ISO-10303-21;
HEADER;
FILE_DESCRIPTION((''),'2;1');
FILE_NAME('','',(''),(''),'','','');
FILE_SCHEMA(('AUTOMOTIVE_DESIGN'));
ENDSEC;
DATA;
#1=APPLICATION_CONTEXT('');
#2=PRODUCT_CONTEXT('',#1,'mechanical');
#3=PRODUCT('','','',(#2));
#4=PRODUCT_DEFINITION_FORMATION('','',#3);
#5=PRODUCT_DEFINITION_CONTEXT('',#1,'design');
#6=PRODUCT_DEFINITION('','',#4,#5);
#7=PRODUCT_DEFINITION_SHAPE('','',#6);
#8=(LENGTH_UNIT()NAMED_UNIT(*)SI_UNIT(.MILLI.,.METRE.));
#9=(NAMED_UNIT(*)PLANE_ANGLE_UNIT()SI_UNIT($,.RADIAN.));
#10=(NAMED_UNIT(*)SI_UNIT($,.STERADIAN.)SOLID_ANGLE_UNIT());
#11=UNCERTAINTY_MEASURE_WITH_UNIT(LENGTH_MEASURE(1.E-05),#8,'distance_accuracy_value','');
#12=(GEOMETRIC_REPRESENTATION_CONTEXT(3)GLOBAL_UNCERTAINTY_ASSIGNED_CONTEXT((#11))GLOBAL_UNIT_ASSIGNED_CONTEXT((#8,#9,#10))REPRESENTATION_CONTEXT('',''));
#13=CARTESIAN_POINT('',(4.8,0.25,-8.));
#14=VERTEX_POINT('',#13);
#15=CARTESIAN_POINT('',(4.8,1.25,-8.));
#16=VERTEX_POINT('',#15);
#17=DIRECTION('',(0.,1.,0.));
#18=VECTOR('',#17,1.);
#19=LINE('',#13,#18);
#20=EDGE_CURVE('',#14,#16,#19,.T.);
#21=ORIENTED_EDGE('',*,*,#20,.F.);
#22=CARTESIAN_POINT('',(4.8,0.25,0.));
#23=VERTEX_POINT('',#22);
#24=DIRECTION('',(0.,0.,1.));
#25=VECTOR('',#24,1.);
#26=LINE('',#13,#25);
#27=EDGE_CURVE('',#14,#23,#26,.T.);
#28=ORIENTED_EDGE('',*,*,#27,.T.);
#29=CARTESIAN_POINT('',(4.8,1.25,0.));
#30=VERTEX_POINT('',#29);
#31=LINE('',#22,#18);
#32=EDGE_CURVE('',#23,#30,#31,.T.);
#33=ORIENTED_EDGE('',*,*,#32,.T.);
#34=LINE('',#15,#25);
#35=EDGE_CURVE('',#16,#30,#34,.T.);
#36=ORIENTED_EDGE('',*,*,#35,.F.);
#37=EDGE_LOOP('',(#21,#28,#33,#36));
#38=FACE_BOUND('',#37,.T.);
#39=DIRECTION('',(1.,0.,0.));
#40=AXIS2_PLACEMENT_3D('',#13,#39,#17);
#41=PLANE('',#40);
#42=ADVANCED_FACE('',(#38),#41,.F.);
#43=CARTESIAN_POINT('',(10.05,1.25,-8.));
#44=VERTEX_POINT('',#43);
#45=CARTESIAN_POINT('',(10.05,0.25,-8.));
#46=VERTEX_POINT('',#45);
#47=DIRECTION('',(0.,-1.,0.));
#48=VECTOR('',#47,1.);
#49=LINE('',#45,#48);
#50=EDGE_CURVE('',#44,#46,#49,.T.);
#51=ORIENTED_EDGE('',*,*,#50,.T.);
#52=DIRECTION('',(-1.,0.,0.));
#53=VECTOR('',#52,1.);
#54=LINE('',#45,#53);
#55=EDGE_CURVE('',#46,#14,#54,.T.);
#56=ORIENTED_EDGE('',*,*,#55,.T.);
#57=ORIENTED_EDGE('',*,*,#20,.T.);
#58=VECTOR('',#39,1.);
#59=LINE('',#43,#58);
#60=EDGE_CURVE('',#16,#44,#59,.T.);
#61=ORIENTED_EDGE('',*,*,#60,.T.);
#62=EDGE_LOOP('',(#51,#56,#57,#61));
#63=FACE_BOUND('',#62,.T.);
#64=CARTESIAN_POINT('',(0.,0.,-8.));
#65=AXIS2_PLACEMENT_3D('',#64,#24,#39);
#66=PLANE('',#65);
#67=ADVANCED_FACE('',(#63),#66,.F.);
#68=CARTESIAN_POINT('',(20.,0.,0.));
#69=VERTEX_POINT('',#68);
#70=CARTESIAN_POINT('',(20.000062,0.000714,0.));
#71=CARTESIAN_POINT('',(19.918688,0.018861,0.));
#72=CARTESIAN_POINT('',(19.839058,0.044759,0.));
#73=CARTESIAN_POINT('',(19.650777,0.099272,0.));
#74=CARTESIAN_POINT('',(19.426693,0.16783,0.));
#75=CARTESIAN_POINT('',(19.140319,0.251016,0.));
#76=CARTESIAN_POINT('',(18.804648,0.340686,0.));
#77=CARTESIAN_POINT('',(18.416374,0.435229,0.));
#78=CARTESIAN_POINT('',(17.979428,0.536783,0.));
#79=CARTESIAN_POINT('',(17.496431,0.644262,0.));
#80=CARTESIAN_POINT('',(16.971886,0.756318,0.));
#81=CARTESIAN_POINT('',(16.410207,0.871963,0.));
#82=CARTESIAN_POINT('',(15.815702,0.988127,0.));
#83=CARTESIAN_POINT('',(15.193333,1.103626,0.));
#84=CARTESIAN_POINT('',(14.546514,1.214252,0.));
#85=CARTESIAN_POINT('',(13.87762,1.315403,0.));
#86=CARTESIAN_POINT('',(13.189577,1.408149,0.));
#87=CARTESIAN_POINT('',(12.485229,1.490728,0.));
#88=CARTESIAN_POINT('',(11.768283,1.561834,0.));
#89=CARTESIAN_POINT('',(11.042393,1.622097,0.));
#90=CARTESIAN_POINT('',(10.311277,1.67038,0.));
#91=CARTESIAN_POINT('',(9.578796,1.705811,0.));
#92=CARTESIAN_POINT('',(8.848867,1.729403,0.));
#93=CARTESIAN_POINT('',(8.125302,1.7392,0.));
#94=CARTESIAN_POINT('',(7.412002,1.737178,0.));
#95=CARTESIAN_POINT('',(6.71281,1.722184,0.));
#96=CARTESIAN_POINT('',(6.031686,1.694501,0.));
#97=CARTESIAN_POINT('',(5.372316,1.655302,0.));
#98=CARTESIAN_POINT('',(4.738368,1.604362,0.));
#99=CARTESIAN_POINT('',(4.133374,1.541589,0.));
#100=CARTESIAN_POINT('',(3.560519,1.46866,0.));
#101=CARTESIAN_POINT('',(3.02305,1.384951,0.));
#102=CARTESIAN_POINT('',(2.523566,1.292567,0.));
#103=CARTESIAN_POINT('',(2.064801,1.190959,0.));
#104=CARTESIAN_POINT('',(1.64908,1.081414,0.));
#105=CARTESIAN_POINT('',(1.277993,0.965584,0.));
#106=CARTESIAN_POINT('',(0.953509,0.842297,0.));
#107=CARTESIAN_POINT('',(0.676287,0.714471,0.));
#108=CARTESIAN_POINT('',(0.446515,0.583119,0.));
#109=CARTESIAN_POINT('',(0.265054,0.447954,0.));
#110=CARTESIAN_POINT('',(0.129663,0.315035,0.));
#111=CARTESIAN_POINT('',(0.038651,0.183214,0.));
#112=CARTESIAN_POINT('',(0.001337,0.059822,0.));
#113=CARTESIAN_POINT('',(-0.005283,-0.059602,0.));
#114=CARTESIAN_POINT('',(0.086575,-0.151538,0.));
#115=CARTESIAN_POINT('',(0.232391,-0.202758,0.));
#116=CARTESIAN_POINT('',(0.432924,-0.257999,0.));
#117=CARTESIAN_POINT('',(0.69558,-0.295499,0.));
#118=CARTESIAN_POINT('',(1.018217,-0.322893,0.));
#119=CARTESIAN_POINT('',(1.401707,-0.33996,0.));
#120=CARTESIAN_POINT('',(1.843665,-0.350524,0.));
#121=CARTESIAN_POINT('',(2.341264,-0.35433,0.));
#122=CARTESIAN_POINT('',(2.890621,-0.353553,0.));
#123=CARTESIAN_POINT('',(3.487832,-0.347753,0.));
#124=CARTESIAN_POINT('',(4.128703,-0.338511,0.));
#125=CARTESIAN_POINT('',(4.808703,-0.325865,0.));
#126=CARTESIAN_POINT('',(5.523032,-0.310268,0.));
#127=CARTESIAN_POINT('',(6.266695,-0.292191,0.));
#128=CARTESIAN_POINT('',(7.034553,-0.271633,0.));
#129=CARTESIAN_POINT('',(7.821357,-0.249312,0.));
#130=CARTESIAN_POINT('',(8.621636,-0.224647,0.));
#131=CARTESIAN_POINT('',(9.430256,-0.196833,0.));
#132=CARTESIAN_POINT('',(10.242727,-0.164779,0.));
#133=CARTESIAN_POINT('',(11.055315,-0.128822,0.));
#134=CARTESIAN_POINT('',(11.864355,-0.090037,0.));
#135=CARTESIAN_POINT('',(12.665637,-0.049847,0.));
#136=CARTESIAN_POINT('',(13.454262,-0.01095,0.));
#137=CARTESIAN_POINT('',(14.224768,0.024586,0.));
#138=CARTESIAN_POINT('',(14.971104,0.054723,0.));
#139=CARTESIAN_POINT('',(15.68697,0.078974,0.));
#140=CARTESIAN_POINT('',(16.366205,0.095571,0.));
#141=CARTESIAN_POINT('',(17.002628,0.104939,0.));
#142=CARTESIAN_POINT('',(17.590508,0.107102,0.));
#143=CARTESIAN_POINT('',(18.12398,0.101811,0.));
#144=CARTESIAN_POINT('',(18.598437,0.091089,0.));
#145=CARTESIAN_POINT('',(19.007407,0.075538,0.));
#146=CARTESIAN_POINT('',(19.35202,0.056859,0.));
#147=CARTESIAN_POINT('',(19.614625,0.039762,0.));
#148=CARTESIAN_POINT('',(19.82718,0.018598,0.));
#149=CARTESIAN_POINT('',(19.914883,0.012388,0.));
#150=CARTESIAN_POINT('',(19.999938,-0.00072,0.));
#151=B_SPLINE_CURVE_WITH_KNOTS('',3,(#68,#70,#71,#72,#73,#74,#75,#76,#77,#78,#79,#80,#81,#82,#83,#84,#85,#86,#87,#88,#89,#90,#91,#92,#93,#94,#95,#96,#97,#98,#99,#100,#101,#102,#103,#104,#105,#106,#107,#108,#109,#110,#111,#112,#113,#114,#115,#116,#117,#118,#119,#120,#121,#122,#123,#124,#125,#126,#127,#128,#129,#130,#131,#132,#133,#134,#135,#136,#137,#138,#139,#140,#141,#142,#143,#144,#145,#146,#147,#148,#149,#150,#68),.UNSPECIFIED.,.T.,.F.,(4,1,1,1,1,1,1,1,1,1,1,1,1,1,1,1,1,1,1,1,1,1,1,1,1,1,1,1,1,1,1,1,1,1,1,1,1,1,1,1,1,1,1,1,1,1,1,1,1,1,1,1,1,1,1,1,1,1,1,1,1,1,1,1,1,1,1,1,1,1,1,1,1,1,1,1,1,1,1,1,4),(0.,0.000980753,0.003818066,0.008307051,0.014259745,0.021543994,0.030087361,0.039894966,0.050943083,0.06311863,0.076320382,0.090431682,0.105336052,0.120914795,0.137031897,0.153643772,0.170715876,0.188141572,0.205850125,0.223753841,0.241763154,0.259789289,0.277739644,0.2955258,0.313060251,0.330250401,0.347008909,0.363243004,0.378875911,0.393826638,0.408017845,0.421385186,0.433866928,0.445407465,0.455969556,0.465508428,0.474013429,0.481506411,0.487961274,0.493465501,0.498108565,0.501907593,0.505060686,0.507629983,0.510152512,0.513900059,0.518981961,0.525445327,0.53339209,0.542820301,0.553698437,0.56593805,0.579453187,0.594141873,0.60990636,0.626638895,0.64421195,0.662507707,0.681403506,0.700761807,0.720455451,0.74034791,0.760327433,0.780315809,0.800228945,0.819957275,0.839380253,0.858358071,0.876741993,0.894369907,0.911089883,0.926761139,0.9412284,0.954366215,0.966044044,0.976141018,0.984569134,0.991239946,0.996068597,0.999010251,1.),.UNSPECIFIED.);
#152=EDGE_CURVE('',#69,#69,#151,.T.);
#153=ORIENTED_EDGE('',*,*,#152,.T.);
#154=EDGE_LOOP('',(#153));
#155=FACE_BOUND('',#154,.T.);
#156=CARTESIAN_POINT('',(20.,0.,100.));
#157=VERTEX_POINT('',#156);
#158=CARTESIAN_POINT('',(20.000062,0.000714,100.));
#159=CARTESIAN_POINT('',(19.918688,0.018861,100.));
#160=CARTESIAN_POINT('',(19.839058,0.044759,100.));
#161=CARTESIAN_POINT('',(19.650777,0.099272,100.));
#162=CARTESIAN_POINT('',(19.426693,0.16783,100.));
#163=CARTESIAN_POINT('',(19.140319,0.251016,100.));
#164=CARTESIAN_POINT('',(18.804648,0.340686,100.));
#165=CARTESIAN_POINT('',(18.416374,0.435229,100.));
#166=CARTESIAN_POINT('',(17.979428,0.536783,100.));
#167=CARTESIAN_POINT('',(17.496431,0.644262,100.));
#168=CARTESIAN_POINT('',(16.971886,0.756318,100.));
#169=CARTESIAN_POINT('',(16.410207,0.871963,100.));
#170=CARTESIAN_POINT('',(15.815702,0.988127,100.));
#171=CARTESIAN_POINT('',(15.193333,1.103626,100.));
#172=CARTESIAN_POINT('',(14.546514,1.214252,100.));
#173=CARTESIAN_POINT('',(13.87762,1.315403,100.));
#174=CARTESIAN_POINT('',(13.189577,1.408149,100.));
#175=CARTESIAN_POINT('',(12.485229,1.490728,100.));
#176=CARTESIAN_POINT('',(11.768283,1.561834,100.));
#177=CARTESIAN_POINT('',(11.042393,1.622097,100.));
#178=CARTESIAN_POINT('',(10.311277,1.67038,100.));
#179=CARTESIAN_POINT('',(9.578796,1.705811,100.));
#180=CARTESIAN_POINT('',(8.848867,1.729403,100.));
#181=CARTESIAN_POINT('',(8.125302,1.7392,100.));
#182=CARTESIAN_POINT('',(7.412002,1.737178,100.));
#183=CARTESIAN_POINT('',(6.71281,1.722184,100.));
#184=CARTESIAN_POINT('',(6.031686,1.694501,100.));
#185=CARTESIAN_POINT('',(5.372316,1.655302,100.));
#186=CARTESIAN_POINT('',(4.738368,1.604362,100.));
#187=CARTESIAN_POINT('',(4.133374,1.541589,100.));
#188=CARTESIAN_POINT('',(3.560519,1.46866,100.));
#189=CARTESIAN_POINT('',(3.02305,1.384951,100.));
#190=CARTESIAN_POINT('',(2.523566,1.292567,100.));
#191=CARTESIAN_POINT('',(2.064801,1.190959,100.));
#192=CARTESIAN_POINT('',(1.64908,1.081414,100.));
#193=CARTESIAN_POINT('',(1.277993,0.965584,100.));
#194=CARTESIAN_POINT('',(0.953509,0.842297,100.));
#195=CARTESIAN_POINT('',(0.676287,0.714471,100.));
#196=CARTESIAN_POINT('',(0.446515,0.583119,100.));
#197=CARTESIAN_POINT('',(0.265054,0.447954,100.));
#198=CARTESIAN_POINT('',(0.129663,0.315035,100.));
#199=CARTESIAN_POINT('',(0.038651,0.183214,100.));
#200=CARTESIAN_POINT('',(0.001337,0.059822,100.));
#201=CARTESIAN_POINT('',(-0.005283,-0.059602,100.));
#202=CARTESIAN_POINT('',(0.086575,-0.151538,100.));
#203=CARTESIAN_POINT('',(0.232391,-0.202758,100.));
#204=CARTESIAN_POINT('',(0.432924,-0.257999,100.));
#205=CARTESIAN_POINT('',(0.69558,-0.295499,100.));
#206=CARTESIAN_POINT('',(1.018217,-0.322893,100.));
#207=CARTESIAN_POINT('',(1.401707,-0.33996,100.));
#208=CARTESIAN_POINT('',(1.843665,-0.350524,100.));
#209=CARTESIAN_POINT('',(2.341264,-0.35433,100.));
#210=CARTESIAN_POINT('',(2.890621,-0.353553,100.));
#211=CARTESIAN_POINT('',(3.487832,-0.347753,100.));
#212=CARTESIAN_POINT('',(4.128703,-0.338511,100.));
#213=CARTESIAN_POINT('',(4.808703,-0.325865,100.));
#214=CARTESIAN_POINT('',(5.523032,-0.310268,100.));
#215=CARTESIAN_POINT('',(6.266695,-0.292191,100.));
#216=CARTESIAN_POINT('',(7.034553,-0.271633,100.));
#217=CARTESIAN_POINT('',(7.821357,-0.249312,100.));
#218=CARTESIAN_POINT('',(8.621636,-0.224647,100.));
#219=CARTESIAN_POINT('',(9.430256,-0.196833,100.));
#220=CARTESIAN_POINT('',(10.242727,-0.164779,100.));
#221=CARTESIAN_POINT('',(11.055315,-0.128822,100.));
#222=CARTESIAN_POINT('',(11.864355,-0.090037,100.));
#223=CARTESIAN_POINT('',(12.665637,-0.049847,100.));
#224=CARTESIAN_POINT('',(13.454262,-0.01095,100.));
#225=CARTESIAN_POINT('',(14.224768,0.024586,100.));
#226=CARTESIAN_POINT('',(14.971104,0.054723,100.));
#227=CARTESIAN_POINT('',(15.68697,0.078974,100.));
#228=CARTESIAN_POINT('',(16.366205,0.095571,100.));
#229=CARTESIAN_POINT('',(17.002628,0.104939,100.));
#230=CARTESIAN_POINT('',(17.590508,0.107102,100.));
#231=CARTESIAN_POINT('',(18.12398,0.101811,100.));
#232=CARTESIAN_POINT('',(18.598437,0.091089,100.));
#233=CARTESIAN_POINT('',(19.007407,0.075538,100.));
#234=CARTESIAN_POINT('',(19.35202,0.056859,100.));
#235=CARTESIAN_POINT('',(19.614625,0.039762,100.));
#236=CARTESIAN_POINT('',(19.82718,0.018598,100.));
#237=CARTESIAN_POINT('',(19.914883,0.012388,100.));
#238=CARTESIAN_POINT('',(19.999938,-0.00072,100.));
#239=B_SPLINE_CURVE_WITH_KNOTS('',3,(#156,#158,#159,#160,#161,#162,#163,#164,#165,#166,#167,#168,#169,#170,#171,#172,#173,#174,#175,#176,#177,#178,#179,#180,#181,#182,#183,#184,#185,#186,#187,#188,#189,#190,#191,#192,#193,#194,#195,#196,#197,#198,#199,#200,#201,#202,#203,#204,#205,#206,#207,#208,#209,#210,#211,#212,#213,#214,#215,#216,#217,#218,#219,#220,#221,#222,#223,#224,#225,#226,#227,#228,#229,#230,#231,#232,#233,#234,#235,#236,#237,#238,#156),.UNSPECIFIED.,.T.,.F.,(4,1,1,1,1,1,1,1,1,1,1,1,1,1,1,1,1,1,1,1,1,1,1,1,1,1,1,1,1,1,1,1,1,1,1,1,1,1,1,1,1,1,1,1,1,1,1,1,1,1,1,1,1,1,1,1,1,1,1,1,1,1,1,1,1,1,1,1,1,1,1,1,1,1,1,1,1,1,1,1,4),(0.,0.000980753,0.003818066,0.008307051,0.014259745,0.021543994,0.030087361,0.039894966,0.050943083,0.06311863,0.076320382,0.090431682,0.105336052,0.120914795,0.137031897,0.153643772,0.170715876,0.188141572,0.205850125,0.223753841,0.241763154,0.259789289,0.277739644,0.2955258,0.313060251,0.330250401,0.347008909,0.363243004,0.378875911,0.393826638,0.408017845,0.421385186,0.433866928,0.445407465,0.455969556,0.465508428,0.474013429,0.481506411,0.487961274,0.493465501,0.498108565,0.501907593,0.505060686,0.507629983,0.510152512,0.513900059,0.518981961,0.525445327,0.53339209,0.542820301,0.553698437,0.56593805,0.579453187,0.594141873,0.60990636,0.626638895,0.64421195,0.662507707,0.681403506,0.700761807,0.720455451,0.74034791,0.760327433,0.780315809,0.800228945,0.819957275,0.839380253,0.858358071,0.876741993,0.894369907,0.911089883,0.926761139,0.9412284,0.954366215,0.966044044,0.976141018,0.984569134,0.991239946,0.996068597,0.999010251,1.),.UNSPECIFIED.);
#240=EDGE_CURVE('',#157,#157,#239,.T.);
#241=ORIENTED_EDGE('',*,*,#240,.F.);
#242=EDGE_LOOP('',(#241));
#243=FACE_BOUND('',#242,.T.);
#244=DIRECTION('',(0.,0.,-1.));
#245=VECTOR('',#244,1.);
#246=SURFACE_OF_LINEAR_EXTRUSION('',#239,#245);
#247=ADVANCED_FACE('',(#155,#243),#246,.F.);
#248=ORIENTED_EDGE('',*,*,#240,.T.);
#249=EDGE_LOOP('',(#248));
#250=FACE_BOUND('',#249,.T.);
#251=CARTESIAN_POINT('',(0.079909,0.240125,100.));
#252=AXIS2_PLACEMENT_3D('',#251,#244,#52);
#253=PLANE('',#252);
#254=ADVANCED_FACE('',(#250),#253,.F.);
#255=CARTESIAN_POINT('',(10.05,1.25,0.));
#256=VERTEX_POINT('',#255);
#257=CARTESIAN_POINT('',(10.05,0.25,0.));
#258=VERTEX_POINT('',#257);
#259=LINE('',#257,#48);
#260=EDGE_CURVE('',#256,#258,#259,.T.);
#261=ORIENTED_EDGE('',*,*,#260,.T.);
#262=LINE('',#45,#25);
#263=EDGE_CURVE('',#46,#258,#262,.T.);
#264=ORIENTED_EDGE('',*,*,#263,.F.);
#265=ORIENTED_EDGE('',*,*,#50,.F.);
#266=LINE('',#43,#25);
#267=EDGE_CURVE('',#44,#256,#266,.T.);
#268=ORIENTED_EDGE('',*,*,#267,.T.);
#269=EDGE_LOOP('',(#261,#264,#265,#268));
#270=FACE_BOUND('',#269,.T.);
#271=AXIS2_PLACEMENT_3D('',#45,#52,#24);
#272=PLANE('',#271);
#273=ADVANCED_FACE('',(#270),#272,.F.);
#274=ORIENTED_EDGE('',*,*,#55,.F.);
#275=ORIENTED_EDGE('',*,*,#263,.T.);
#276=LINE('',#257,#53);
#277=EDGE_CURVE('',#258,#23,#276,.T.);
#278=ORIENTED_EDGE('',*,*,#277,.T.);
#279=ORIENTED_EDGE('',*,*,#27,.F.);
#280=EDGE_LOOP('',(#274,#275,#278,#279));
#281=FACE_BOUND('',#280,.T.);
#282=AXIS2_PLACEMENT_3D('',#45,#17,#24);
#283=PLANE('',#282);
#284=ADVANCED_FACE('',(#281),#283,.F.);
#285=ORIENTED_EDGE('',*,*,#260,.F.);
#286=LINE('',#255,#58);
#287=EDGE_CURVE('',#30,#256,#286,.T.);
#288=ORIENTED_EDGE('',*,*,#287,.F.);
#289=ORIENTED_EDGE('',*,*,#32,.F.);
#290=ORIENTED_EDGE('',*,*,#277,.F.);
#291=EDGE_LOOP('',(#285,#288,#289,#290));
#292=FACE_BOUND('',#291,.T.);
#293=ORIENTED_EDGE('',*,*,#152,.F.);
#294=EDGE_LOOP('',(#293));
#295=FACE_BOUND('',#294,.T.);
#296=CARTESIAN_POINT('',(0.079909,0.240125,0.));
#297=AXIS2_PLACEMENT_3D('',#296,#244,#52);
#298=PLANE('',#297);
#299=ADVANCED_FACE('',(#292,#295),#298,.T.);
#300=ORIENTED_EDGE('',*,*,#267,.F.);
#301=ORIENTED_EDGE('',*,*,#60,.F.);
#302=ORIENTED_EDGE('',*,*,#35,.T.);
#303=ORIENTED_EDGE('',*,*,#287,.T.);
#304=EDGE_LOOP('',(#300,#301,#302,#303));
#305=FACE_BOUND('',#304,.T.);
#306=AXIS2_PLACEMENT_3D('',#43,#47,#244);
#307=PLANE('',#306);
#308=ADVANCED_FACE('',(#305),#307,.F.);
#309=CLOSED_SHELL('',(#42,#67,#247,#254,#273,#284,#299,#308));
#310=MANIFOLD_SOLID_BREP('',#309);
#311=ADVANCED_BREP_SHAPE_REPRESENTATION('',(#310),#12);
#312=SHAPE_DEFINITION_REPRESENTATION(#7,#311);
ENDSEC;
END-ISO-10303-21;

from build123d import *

# Parameters (mm, degrees)
BOSS_EXTRUDE1_DEPTH = 100
SKETCH3_W           = 5.25
SKETCH3_H           = 1
BOSS_EXTRUDE2_DEPTH = 8


with BuildPart() as part:
    # Sketch1 → Boss-Extrude1 (new body)
    with BuildSketch(Plane.XY):
        with BuildLine():
            add(Edge.make_bspline(
                [(20, 0), (20.0000617, 0.000713723), (19.918687647, 0.018860516), (19.839058016, 0.044758755), (19.650777316, 0.099272077), (19.426692916, 0.167829756), (19.140319282, 0.251016201), (18.804647653, 0.340685843), (18.416373864, 0.435228853), (17.97942794, 0.536783049), (17.496431422, 0.644261738), (16.971885827, 0.756317908), (16.410206727, 0.871962751), (15.815702292, 0.988126599), (15.193333491, 1.103626236), (14.546514292, 1.214252212), (13.877620091, 1.31540292), (13.189577003, 1.408149222), (12.485229401, 1.490728304), (11.768283488, 1.561834174), (11.042393028, 1.622097194), (10.311276748, 1.670380388), (9.578796447, 1.705810812), (8.848867181, 1.729403152), (8.125301515, 1.739200465), (7.412002244, 1.737177905), (6.712810128, 1.722183565), (6.031686362, 1.694501017), (5.372315817, 1.655302168), (4.738367505, 1.604361912), (4.13337415, 1.541589301), (3.560518803, 1.46865979), (3.023049626, 1.384950708), (2.523566236, 1.292566663), (2.06480058, 1.190959036), (1.649079547, 1.081414285), (1.277993022, 0.965584304), (0.953509244, 0.84229737), (0.676287066, 0.714471377), (0.446514586, 0.583119286), (0.26505444, 0.447953695), (0.129663159, 0.315035252), (0.038650806, 0.183213804), (0.001336743, 0.059821582), (-0.0052827, -0.059602262), (0.08657487, -0.151538208), (0.23239101, -0.202757565), (0.432924492, -0.257999047), (0.695579927, -0.295499248), (1.018217067, -0.322892672), (1.401706517, -0.339960306), (1.84366453, -0.350523766), (2.341264114, -0.354330122), (2.890621261, -0.353552604), (3.487832077, -0.347752511), (4.128702986, -0.338510921), (4.808702734, -0.325865061), (5.523031672, -0.310268316), (6.26669539, -0.292190964), (7.034552815, -0.27163259), (7.821356678, -0.249312497), (8.621635616, -0.224647035), (9.430256146, -0.196832977), (10.242727257, -0.164779132), (11.055314931, -0.128821575), (11.864355356, -0.090036567), (12.665636528, -0.049846597), (13.454261838, -0.010949683), (14.224767938, 0.024585503), (14.971103629, 0.054723), (15.686970388, 0.07897397), (16.366205277, 0.095571446), (17.002628225, 0.104939148), (17.59050778, 0.107101991), (18.123979669, 0.101811209), (18.598436762, 0.091088822), (19.007407369, 0.075537762), (19.352020305, 0.05685892), (19.61462514, 0.039762473), (19.827179524, 0.01859811), (19.914882705, 0.012388345), (19.999937734, -0.000720269), (20, 0)],
                knots=[0, 0, 0, 0, 0.000980753, 0.003818066, 0.008307051, 0.014259745, 0.021543994, 0.030087361, 0.039894966, 0.050943083, 0.06311863, 0.076320382, 0.090431682, 0.105336052, 0.120914795, 0.137031897, 0.153643772, 0.170715876, 0.188141572, 0.205850125, 0.223753841, 0.241763154, 0.259789289, 0.277739644, 0.2955258, 0.313060251, 0.330250401, 0.347008909, 0.363243004, 0.378875911, 0.393826638, 0.408017845, 0.421385186, 0.433866928, 0.445407465, 0.455969556, 0.465508428, 0.474013429, 0.481506411, 0.487961274, 0.493465501, 0.498108565, 0.501907593, 0.505060686, 0.507629983, 0.510152512, 0.513900059, 0.518981961, 0.525445327, 0.53339209, 0.542820301, 0.553698437, 0.56593805, 0.579453187, 0.594141873, 0.60990636, 0.626638895, 0.64421195, 0.662507707, 0.681403506, 0.700761807, 0.720455451, 0.74034791, 0.760327433, 0.780315809, 0.800228945, 0.819957275, 0.839380253, 0.858358071, 0.876741993, 0.894369907, 0.911089883, 0.926761139, 0.9412284, 0.954366215, 0.966044044, 0.976141018, 0.984569134, 0.991239946, 0.996068597, 0.999010251, 1, 1, 1, 1], degree=3))
        make_face()
    extrude(amount=BOSS_EXTRUDE1_DEPTH)

    # Sketch3 → Boss-Extrude2 (add)
    with BuildSketch(Plane(origin=(0, 0, 0), x_dir=(-1, 0, 0), z_dir=(0, 0, -1))):
        with Locations((-7.425, 0.75)):
            Rectangle(SKETCH3_W, SKETCH3_H)
    extrude(amount=BOSS_EXTRUDE2_DEPTH)


solid = part.part
